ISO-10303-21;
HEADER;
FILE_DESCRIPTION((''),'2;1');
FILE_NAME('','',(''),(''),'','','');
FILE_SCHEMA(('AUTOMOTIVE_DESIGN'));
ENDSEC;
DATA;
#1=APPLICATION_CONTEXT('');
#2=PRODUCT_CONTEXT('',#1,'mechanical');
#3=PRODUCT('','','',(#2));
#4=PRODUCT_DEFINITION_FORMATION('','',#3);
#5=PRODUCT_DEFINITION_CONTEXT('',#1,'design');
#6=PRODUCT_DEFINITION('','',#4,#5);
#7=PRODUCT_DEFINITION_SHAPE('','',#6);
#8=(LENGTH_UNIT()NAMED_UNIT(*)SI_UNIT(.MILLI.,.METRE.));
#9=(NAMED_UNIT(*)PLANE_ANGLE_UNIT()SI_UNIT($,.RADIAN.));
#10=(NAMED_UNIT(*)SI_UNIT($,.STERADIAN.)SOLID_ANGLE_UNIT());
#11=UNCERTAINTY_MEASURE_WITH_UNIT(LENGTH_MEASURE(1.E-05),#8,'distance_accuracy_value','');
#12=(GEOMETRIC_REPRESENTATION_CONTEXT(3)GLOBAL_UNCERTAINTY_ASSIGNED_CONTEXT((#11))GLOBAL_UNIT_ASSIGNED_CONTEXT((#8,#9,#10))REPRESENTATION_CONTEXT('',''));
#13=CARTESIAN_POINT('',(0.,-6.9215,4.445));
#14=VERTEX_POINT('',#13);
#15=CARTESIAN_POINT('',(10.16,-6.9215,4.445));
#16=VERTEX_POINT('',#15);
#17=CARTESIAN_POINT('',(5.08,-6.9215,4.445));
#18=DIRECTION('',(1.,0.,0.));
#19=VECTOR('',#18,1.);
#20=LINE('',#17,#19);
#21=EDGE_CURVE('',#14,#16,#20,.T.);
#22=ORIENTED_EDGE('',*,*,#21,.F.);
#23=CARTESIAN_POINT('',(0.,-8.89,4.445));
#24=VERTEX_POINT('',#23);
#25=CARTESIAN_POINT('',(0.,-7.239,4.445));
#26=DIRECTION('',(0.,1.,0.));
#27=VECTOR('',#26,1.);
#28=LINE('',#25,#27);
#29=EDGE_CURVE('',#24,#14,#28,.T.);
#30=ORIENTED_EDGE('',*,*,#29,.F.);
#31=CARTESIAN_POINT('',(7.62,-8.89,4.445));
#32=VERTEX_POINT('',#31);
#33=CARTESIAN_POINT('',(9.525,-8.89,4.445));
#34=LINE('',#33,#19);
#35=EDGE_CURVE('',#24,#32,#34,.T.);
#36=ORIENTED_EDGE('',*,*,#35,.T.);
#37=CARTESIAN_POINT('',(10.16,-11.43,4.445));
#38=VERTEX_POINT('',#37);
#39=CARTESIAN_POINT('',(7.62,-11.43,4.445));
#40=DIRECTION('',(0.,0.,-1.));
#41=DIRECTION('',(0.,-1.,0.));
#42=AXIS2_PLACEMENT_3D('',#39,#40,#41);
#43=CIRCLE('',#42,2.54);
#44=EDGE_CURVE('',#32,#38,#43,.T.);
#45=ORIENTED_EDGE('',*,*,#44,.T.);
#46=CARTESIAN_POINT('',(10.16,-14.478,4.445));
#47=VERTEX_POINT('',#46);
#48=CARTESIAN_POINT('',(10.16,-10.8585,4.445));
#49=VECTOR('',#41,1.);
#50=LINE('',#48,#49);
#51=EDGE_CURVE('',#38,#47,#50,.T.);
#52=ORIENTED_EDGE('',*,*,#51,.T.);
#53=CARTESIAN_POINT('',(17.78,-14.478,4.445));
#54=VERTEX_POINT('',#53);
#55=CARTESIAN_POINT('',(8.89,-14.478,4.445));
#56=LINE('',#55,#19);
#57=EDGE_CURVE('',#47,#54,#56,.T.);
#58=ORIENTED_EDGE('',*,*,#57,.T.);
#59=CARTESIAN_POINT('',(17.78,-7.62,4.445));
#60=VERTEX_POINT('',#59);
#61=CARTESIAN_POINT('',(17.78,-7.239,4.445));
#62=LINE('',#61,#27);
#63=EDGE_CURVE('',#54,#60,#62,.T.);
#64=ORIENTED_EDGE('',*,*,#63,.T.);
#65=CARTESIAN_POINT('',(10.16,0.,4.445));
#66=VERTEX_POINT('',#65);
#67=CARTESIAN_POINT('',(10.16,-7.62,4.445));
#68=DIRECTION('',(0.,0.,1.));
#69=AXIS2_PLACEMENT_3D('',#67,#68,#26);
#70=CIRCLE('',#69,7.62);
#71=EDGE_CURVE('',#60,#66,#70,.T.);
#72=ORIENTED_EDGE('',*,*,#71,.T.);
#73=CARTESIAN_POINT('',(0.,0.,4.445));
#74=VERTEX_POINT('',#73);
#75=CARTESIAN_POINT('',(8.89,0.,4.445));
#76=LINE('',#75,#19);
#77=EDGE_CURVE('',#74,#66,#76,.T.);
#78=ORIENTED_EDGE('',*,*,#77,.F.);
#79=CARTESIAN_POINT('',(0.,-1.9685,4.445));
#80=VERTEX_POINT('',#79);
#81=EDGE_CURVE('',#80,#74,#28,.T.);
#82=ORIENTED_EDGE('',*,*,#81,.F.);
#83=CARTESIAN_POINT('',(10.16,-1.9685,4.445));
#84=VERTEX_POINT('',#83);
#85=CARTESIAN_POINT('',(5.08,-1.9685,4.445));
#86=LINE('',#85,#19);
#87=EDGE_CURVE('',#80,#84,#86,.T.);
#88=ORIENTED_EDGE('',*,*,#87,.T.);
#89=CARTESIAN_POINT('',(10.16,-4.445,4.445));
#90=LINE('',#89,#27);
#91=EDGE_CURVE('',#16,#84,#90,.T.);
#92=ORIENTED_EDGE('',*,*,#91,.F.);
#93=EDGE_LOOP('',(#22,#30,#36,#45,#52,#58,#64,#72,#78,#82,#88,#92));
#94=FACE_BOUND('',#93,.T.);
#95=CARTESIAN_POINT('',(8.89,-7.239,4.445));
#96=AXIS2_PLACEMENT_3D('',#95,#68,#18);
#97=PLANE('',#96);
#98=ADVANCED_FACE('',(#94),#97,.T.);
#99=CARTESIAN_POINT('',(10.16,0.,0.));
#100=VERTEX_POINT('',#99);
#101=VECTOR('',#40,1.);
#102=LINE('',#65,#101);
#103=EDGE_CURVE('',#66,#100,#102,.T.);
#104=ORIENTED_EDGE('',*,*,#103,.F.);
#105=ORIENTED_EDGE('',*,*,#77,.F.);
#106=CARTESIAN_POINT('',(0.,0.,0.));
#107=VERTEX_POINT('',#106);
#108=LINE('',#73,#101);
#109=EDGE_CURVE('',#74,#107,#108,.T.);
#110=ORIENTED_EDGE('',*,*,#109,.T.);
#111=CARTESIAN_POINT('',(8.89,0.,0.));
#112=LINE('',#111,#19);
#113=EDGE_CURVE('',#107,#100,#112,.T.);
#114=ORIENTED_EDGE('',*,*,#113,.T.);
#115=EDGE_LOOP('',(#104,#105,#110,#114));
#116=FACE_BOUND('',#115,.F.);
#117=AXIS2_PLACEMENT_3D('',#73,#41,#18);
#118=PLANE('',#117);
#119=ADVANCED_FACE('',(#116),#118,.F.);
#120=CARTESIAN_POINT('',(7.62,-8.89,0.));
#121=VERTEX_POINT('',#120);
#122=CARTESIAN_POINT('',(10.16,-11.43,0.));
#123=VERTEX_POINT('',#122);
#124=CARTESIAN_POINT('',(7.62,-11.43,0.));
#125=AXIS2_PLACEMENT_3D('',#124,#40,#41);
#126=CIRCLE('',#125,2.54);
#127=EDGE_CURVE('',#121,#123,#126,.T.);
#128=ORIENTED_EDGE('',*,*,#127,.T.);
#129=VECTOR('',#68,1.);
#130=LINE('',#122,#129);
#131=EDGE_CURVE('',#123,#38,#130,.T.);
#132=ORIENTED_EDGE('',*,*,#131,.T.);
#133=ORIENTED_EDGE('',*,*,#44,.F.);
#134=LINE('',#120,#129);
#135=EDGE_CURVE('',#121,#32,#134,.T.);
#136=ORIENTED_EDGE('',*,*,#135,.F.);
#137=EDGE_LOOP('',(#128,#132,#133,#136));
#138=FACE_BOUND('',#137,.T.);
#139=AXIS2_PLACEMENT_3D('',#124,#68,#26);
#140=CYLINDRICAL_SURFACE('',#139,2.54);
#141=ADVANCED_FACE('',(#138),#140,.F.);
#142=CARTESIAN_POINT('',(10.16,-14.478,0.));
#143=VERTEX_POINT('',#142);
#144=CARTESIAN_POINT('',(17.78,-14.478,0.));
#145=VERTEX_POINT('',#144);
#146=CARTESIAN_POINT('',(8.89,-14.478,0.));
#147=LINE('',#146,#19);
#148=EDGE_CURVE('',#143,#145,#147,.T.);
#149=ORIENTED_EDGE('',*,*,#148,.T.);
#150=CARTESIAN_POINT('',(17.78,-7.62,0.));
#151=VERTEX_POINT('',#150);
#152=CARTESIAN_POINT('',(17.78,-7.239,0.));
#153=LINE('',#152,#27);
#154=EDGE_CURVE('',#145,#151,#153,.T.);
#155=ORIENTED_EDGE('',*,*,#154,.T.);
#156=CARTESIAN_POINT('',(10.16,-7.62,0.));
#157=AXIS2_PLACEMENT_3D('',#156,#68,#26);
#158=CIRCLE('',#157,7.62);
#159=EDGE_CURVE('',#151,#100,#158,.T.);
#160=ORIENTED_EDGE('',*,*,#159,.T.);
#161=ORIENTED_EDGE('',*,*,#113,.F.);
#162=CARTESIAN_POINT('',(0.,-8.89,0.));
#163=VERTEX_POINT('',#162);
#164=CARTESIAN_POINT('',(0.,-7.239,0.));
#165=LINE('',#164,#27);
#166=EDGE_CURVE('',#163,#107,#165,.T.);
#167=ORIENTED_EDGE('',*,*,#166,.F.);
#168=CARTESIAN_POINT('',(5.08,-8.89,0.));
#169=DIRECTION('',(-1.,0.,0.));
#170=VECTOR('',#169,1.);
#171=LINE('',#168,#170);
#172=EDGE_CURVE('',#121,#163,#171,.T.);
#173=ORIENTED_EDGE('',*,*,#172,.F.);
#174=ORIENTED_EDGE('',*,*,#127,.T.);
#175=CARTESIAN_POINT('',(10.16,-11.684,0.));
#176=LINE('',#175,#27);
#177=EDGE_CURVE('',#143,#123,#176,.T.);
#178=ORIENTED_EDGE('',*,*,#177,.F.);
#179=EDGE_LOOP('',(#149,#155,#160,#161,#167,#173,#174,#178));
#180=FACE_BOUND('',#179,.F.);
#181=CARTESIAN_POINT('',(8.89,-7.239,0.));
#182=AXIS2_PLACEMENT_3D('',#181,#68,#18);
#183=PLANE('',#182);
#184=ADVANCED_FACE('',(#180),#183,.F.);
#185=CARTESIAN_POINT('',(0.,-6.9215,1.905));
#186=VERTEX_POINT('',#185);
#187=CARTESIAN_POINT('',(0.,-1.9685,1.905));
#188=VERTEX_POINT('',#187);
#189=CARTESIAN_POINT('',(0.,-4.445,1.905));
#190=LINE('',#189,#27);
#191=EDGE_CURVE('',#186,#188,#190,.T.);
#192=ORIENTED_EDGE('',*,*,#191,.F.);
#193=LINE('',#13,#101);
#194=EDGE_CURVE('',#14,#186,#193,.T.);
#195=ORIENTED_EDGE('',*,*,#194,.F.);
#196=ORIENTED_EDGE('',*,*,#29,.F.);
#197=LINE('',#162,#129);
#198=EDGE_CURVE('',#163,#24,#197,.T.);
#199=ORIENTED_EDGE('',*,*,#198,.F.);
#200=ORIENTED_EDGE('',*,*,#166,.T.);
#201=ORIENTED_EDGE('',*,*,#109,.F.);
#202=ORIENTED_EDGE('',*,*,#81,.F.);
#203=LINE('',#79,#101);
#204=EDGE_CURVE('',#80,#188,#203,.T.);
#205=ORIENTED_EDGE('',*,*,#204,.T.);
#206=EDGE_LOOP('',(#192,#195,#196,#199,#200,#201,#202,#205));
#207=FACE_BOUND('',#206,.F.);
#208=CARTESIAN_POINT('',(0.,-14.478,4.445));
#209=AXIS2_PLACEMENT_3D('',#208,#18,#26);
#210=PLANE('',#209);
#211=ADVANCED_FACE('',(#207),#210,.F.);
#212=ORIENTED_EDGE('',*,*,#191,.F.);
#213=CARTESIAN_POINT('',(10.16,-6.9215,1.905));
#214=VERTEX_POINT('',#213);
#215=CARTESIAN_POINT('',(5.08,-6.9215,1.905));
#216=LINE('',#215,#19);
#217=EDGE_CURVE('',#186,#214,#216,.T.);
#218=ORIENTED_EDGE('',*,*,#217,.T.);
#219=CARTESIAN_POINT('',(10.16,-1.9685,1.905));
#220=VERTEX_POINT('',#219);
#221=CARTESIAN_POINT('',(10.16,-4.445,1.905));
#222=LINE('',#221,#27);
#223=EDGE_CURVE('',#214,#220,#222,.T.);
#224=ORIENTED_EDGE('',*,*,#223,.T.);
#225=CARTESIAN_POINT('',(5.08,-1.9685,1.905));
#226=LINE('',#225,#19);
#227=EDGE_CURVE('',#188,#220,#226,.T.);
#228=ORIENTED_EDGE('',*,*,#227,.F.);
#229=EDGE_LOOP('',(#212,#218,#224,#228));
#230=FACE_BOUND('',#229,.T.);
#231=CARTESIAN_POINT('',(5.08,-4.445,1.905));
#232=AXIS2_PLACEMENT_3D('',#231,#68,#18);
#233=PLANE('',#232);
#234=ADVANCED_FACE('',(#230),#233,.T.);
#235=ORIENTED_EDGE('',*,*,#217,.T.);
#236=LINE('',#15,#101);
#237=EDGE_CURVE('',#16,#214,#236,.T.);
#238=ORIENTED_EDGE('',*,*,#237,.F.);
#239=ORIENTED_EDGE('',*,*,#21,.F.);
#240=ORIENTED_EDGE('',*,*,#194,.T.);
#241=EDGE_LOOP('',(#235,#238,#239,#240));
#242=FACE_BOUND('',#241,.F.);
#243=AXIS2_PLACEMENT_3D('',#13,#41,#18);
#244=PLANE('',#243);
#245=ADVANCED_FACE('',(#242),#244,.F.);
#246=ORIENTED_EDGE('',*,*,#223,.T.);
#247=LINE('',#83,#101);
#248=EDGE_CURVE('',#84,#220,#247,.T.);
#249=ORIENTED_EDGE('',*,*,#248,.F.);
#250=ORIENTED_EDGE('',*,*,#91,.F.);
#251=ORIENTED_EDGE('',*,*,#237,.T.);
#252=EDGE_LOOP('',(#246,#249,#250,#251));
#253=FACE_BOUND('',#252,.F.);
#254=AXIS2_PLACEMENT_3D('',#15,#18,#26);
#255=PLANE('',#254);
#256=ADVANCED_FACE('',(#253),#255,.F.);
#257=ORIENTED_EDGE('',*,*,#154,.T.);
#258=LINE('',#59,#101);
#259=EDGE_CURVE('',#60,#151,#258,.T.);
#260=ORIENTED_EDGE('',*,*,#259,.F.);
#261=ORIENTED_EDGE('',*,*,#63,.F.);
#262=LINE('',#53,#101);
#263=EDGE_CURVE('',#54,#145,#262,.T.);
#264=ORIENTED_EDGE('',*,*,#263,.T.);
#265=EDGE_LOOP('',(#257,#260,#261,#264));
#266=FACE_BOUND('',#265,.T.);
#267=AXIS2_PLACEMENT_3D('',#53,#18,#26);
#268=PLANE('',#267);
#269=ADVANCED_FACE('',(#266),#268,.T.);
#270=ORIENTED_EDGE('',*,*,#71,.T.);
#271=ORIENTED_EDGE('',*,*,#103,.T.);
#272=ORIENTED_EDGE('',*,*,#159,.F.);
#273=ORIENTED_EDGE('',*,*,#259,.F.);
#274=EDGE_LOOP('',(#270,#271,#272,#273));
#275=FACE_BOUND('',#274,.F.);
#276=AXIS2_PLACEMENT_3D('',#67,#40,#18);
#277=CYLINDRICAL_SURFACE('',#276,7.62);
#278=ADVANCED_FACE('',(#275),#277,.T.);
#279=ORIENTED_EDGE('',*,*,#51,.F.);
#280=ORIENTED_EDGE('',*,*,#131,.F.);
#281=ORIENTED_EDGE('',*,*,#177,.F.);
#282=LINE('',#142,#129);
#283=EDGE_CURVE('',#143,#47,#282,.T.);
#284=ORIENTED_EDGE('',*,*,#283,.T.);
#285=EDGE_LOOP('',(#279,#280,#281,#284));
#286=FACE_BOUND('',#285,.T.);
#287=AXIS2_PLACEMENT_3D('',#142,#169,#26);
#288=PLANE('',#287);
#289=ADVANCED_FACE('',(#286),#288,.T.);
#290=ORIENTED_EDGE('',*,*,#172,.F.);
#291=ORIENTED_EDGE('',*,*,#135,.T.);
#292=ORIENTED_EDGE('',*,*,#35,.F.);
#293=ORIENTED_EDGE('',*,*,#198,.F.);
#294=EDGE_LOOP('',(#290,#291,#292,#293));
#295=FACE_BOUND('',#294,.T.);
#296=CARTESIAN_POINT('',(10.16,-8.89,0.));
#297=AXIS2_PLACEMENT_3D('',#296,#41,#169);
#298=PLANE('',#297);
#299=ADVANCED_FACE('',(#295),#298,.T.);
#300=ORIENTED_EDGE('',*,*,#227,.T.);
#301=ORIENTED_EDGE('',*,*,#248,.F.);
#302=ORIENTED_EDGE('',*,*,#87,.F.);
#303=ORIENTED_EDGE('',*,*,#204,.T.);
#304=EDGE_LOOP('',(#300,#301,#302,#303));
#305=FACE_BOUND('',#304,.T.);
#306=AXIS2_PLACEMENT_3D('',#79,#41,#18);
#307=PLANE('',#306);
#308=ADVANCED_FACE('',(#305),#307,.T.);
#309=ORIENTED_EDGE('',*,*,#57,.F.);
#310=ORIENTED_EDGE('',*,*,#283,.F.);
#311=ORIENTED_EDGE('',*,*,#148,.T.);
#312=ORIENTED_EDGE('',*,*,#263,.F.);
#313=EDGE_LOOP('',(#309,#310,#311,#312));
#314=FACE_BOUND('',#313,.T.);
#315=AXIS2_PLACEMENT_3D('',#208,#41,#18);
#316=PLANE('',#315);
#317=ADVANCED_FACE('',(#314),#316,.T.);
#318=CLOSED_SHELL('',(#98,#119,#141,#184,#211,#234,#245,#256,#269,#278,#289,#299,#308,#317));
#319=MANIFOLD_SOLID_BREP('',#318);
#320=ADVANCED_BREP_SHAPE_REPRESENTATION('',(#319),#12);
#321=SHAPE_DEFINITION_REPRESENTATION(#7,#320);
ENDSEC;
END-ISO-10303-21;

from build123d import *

# Parameters (mm, degrees)
SKETCH1_W           = 17.78
SKETCH1_H           = 14.478
BOSS_EXTRUDE1_DEPTH = 4.445
SKETCH2_W           = 10.16
SKETCH2_H           = 5.588
CUT_EXTRUDE1_DEPTH  = 5.445
SKETCH3_W           = 10.16
SKETCH3_H           = 4.953
CUT_EXTRUDE2_DEPTH  = 2.54
FILLET1_R           = 2.54
FILLET2_R           = 7.62


with BuildPart() as part:
    # Sketch1 → Boss-Extrude1 (new body)
    with BuildSketch(Plane.XY.offset(4.445)):
        with Locations((8.89, -7.239)):
            Rectangle(SKETCH1_W, SKETCH1_H)
    extrude(amount=-BOSS_EXTRUDE1_DEPTH)

    # Sketch2 → Cut-Extrude1 (cut, through all)
    with BuildSketch(Plane(origin=(0, 0, 0), x_dir=(-1, 0, 0), z_dir=(0, 0, -1))):
        with Locations((-5.08, -11.684)):
            Rectangle(SKETCH2_W, SKETCH2_H)
    extrude(amount=-CUT_EXTRUDE1_DEPTH, mode=Mode.SUBTRACT)

    # Sketch3 → Cut-Extrude2 (cut)
    with BuildSketch(Plane.XY.offset(4.445)):
        with Locations((5.08, -4.445)):
            Rectangle(SKETCH3_W, SKETCH3_H)
    extrude(amount=-CUT_EXTRUDE2_DEPTH, mode=Mode.SUBTRACT)

    # Fillet1
    fillet1_edges = [part.edges().sort_by_distance(p)[0] for p in [
        (10.16, -8.89, 2.2225),
    ]]
    fillet(fillet1_edges, radius=FILLET1_R)

    # Fillet2
    fillet2_edges = [part.edges().sort_by_distance(p)[0] for p in [
        (17.78, 0, 2.2225),
    ]]
    fillet(fillet2_edges, radius=FILLET2_R)


solid = part.part
